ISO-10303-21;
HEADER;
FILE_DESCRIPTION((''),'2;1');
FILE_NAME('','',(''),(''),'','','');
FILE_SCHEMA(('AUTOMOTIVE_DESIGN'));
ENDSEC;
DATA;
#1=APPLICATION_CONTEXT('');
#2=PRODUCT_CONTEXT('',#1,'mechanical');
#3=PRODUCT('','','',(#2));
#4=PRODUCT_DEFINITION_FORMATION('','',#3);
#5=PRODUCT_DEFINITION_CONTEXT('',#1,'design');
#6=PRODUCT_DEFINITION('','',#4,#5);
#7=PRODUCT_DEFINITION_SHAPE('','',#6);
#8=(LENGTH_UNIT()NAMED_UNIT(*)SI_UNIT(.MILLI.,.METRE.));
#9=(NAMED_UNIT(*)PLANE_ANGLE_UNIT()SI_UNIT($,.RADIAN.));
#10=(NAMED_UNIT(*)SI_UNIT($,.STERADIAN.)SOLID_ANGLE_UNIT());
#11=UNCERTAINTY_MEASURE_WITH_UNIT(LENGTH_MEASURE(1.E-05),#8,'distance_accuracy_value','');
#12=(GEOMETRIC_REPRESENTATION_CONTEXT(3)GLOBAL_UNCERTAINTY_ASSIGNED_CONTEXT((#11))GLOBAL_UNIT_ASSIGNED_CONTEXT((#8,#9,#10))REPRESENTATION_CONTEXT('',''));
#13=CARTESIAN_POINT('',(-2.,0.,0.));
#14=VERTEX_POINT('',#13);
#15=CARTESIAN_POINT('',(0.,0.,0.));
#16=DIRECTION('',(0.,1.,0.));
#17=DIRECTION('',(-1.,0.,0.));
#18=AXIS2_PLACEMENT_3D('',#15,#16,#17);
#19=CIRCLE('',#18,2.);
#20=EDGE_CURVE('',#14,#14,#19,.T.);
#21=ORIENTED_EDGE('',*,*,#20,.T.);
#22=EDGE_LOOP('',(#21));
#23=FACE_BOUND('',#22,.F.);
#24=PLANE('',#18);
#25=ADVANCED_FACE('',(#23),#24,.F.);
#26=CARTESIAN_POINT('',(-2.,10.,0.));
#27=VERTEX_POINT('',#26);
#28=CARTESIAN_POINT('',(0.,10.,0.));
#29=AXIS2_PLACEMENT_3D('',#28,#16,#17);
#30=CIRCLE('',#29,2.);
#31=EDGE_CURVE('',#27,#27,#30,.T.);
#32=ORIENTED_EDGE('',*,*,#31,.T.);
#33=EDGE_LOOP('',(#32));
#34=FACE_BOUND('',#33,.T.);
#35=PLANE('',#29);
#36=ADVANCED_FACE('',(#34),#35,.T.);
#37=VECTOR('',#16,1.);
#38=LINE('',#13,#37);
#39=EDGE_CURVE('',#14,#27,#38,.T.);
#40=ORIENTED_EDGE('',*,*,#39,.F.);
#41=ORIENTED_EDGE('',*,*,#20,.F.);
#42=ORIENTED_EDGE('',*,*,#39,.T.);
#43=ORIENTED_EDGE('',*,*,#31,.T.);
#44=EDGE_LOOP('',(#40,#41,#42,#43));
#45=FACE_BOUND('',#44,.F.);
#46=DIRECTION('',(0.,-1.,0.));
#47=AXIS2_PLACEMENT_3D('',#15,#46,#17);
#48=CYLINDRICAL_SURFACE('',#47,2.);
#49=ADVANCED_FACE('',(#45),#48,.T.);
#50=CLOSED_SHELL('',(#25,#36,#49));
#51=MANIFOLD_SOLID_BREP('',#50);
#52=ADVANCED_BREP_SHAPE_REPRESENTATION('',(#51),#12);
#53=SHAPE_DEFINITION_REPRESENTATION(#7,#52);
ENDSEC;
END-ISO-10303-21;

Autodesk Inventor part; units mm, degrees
ref_plane "YZ Plane" through (0, 0, 0) normal (1, 0, 0) x (0, 1, 0)
ref_plane "XZ Plane" through (0, 0, 0) normal (0, 1, 0) x (-1, 0, 0)
ref_plane "XY Plane" through (0, 0, 0) normal (0, 0, 1) x (1, 0, 0)
sketch "草圖1" plane through (0, 0, 0) normal (0, 1, 0) x (-1, 0, 0)
  circle A0 centre (0, 0) radius 2
  dimension "d0" = 4
extrude "擠出1" add sketch "草圖1" along normal blind 10
properties part number "馬達軸"
